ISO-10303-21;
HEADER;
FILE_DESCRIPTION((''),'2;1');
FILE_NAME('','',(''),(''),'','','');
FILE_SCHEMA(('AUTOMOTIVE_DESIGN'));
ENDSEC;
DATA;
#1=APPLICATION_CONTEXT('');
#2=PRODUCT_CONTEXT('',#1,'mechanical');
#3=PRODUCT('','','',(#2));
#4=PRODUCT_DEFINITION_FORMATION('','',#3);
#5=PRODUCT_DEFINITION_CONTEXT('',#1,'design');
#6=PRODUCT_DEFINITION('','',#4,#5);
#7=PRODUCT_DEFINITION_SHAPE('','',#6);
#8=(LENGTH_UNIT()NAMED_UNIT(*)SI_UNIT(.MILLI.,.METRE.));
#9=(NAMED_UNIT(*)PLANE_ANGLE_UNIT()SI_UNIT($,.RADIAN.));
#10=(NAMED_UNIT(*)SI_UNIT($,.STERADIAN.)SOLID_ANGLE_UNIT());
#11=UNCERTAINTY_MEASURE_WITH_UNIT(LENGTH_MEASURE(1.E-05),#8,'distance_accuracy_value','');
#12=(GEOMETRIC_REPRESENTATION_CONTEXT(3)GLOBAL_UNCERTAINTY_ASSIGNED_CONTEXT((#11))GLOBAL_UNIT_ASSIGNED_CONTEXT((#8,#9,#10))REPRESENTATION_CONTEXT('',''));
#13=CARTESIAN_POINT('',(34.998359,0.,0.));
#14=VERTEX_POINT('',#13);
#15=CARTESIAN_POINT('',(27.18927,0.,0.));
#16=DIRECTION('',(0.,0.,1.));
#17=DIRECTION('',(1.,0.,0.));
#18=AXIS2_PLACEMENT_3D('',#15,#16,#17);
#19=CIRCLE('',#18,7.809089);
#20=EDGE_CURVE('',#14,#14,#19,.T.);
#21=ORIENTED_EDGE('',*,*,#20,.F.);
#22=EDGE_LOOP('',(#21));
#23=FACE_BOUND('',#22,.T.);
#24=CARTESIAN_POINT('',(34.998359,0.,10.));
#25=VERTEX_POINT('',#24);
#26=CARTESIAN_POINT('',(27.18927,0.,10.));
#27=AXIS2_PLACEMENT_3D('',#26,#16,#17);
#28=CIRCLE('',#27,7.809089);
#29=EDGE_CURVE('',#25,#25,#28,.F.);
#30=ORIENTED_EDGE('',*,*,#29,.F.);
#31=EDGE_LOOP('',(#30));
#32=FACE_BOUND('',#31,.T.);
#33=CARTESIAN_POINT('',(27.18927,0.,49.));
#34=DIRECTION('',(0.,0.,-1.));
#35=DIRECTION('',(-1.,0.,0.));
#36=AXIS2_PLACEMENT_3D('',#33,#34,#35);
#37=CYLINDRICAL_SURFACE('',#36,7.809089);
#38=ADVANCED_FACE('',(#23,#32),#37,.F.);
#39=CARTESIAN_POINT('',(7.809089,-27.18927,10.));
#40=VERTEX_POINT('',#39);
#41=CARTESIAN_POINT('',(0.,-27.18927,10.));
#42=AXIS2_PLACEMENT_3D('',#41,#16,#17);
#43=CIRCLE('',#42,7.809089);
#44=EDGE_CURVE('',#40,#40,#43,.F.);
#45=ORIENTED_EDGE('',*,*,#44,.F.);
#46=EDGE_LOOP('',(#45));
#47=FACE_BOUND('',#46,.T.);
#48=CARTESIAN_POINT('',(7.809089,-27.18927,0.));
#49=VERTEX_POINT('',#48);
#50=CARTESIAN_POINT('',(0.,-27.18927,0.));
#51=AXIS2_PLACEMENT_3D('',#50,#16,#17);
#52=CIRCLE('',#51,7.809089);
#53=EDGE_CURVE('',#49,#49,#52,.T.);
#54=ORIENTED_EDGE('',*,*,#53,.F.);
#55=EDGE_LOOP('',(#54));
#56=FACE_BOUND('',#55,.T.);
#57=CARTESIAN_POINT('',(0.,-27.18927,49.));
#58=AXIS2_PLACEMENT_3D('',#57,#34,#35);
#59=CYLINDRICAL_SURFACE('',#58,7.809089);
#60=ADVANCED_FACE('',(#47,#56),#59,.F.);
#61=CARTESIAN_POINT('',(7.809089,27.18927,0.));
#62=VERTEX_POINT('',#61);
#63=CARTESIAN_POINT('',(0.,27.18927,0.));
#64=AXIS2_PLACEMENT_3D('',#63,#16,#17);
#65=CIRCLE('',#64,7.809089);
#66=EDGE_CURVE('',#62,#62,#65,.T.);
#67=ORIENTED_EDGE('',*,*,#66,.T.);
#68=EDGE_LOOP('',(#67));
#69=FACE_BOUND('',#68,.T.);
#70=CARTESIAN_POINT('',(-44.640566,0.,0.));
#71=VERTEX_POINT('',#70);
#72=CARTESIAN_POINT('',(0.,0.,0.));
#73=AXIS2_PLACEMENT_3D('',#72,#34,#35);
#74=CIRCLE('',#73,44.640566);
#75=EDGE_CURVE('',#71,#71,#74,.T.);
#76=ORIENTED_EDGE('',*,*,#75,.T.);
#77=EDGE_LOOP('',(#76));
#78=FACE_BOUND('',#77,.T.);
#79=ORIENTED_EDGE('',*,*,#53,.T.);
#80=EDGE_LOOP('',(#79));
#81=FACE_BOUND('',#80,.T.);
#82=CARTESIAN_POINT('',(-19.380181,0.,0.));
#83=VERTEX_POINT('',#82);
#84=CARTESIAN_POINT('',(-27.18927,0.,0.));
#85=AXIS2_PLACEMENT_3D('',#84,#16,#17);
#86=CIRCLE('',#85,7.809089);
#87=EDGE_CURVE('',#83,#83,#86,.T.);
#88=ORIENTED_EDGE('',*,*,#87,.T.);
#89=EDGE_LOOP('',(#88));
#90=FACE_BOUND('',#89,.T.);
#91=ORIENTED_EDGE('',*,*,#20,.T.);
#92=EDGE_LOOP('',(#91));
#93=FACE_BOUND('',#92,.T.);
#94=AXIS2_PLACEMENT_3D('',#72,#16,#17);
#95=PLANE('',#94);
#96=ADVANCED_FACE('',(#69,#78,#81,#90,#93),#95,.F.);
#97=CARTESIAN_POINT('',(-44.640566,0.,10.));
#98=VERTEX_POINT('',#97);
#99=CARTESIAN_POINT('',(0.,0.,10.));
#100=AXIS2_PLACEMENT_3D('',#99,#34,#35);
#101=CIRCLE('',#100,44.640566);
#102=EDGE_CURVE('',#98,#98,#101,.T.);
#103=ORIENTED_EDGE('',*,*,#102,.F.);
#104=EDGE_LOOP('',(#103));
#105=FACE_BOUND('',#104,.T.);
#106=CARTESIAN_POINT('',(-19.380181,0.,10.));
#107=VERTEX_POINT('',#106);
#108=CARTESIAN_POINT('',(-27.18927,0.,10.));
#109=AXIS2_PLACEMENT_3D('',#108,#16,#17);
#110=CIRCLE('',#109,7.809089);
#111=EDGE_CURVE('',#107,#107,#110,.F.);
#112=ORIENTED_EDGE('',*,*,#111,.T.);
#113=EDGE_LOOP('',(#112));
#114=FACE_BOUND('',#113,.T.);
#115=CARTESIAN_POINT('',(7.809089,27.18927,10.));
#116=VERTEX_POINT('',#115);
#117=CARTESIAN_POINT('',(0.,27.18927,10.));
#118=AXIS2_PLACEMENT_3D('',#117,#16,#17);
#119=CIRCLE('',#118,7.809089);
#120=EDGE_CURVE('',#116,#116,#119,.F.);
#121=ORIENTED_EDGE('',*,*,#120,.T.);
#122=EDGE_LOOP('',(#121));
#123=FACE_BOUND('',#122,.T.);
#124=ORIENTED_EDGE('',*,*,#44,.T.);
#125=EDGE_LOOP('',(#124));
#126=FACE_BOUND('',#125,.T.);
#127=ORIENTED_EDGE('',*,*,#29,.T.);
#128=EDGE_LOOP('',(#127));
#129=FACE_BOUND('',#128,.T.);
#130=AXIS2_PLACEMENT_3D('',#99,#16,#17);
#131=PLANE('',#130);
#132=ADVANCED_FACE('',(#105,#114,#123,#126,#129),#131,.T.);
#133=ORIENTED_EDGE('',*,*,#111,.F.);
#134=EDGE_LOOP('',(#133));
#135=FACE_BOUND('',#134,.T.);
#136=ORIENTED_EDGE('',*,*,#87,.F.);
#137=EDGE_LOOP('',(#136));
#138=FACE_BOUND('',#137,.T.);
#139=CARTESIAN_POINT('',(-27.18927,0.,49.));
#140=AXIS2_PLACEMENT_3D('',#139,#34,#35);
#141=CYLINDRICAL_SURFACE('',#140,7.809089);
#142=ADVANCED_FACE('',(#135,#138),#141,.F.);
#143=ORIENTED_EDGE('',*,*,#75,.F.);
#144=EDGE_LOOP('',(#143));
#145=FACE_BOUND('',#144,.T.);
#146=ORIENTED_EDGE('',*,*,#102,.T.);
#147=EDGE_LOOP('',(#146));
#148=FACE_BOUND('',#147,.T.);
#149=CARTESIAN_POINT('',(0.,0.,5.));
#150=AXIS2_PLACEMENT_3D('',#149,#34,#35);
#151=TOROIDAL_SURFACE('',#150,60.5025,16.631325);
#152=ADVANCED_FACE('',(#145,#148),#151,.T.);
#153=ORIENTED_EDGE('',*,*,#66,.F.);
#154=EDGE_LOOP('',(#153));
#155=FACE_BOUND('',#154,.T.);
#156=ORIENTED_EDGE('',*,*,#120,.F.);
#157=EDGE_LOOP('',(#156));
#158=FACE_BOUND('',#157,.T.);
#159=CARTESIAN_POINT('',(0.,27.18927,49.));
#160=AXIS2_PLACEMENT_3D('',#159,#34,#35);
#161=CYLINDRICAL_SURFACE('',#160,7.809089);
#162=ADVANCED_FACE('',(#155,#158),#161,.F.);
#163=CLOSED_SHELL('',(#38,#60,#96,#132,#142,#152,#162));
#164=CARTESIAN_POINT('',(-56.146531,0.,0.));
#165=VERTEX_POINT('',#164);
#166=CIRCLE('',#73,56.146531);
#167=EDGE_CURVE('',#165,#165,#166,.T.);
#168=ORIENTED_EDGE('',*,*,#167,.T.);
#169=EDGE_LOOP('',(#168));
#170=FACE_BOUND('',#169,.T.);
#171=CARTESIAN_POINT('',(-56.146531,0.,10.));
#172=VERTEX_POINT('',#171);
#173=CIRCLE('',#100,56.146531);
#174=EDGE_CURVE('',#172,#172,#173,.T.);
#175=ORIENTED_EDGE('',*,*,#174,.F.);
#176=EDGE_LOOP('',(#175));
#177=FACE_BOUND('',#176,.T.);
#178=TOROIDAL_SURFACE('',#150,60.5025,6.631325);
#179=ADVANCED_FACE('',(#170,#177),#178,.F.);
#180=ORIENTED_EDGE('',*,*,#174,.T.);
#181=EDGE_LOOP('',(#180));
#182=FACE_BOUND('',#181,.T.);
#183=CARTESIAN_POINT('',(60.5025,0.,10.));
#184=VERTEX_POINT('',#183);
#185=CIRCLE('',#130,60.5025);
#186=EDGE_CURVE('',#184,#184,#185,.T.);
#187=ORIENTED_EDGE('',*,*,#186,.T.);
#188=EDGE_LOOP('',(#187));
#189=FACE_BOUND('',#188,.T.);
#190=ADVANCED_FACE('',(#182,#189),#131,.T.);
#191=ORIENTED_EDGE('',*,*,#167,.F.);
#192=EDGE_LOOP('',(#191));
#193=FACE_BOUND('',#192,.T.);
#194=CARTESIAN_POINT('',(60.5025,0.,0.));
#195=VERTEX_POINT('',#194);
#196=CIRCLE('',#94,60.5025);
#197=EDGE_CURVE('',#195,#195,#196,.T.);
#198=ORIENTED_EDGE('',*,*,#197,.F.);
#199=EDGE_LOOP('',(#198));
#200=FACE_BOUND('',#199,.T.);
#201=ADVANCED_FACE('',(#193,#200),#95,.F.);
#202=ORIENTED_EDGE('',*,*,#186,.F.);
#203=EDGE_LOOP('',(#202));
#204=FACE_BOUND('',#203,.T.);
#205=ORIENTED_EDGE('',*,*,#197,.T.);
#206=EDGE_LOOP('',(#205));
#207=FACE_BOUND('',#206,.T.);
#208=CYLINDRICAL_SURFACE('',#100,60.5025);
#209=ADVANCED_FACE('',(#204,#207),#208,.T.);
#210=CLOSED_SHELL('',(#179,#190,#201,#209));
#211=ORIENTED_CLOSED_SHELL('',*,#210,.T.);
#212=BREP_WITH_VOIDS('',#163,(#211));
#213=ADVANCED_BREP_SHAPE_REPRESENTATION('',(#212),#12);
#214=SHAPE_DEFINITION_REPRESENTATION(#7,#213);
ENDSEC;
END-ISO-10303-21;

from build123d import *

# Parameters (mm, degrees)
SKETCH_2_R          = 60.502500486
EXTRUDE_1_DEPTH     = 10
SKETCH_3_R          = 16.631324813
SKETCH_3_R_2        = 6.631324813
SKETCH_3_W          = 10
SKETCH_3_H          = 10
SKETCH_4_R          = 7.809088704
CUT_EXTRUDE_1_DEPTH = 49


with BuildPart() as part:
    # 草图2 → 凸台-拉伸1 (new body)
    with BuildSketch(Plane.XY):
        Circle(SKETCH_2_R)
    extrude(amount=EXTRUDE_1_DEPTH)

    # 草图3 → 旋转-薄壁1 (revolve)
    # profile 1 of 2: a face of its own
    with BuildSketch(Plane(origin=(0, 0, 0), x_dir=(1, 0, 0), z_dir=(0, 1, 0))):
        with Locations((-60.502500486, -5)):
            Circle(SKETCH_3_R)
        with Locations((-60.502500486, -5)):
            Circle(SKETCH_3_R_2, mode=Mode.SUBTRACT)
    # profile 2 of 2: a face of its own
    with BuildSketch(Plane(origin=(0, 0, 0), x_dir=(1, 0, 0), z_dir=(0, 1, 0))):
        with Locations((-5, -5)):
            Rectangle(SKETCH_3_W, SKETCH_3_H)
    revolve(axis=Axis((0, 0, 0), (0, 0, 1)))

    # 草图4 → 切除-拉伸1 (cut)
    with BuildSketch(Plane.XY):
        with Locations((0, 27.189269827)):
            Circle(SKETCH_4_R)
        with Locations((27.189269827, 0)):
            Circle(SKETCH_4_R)
        with Locations((0, -27.189269827)):
            Circle(SKETCH_4_R)
        with Locations((-27.189269827, 0)):
            Circle(SKETCH_4_R)
    extrude(amount=CUT_EXTRUDE_1_DEPTH, mode=Mode.SUBTRACT)


solid = part.part
